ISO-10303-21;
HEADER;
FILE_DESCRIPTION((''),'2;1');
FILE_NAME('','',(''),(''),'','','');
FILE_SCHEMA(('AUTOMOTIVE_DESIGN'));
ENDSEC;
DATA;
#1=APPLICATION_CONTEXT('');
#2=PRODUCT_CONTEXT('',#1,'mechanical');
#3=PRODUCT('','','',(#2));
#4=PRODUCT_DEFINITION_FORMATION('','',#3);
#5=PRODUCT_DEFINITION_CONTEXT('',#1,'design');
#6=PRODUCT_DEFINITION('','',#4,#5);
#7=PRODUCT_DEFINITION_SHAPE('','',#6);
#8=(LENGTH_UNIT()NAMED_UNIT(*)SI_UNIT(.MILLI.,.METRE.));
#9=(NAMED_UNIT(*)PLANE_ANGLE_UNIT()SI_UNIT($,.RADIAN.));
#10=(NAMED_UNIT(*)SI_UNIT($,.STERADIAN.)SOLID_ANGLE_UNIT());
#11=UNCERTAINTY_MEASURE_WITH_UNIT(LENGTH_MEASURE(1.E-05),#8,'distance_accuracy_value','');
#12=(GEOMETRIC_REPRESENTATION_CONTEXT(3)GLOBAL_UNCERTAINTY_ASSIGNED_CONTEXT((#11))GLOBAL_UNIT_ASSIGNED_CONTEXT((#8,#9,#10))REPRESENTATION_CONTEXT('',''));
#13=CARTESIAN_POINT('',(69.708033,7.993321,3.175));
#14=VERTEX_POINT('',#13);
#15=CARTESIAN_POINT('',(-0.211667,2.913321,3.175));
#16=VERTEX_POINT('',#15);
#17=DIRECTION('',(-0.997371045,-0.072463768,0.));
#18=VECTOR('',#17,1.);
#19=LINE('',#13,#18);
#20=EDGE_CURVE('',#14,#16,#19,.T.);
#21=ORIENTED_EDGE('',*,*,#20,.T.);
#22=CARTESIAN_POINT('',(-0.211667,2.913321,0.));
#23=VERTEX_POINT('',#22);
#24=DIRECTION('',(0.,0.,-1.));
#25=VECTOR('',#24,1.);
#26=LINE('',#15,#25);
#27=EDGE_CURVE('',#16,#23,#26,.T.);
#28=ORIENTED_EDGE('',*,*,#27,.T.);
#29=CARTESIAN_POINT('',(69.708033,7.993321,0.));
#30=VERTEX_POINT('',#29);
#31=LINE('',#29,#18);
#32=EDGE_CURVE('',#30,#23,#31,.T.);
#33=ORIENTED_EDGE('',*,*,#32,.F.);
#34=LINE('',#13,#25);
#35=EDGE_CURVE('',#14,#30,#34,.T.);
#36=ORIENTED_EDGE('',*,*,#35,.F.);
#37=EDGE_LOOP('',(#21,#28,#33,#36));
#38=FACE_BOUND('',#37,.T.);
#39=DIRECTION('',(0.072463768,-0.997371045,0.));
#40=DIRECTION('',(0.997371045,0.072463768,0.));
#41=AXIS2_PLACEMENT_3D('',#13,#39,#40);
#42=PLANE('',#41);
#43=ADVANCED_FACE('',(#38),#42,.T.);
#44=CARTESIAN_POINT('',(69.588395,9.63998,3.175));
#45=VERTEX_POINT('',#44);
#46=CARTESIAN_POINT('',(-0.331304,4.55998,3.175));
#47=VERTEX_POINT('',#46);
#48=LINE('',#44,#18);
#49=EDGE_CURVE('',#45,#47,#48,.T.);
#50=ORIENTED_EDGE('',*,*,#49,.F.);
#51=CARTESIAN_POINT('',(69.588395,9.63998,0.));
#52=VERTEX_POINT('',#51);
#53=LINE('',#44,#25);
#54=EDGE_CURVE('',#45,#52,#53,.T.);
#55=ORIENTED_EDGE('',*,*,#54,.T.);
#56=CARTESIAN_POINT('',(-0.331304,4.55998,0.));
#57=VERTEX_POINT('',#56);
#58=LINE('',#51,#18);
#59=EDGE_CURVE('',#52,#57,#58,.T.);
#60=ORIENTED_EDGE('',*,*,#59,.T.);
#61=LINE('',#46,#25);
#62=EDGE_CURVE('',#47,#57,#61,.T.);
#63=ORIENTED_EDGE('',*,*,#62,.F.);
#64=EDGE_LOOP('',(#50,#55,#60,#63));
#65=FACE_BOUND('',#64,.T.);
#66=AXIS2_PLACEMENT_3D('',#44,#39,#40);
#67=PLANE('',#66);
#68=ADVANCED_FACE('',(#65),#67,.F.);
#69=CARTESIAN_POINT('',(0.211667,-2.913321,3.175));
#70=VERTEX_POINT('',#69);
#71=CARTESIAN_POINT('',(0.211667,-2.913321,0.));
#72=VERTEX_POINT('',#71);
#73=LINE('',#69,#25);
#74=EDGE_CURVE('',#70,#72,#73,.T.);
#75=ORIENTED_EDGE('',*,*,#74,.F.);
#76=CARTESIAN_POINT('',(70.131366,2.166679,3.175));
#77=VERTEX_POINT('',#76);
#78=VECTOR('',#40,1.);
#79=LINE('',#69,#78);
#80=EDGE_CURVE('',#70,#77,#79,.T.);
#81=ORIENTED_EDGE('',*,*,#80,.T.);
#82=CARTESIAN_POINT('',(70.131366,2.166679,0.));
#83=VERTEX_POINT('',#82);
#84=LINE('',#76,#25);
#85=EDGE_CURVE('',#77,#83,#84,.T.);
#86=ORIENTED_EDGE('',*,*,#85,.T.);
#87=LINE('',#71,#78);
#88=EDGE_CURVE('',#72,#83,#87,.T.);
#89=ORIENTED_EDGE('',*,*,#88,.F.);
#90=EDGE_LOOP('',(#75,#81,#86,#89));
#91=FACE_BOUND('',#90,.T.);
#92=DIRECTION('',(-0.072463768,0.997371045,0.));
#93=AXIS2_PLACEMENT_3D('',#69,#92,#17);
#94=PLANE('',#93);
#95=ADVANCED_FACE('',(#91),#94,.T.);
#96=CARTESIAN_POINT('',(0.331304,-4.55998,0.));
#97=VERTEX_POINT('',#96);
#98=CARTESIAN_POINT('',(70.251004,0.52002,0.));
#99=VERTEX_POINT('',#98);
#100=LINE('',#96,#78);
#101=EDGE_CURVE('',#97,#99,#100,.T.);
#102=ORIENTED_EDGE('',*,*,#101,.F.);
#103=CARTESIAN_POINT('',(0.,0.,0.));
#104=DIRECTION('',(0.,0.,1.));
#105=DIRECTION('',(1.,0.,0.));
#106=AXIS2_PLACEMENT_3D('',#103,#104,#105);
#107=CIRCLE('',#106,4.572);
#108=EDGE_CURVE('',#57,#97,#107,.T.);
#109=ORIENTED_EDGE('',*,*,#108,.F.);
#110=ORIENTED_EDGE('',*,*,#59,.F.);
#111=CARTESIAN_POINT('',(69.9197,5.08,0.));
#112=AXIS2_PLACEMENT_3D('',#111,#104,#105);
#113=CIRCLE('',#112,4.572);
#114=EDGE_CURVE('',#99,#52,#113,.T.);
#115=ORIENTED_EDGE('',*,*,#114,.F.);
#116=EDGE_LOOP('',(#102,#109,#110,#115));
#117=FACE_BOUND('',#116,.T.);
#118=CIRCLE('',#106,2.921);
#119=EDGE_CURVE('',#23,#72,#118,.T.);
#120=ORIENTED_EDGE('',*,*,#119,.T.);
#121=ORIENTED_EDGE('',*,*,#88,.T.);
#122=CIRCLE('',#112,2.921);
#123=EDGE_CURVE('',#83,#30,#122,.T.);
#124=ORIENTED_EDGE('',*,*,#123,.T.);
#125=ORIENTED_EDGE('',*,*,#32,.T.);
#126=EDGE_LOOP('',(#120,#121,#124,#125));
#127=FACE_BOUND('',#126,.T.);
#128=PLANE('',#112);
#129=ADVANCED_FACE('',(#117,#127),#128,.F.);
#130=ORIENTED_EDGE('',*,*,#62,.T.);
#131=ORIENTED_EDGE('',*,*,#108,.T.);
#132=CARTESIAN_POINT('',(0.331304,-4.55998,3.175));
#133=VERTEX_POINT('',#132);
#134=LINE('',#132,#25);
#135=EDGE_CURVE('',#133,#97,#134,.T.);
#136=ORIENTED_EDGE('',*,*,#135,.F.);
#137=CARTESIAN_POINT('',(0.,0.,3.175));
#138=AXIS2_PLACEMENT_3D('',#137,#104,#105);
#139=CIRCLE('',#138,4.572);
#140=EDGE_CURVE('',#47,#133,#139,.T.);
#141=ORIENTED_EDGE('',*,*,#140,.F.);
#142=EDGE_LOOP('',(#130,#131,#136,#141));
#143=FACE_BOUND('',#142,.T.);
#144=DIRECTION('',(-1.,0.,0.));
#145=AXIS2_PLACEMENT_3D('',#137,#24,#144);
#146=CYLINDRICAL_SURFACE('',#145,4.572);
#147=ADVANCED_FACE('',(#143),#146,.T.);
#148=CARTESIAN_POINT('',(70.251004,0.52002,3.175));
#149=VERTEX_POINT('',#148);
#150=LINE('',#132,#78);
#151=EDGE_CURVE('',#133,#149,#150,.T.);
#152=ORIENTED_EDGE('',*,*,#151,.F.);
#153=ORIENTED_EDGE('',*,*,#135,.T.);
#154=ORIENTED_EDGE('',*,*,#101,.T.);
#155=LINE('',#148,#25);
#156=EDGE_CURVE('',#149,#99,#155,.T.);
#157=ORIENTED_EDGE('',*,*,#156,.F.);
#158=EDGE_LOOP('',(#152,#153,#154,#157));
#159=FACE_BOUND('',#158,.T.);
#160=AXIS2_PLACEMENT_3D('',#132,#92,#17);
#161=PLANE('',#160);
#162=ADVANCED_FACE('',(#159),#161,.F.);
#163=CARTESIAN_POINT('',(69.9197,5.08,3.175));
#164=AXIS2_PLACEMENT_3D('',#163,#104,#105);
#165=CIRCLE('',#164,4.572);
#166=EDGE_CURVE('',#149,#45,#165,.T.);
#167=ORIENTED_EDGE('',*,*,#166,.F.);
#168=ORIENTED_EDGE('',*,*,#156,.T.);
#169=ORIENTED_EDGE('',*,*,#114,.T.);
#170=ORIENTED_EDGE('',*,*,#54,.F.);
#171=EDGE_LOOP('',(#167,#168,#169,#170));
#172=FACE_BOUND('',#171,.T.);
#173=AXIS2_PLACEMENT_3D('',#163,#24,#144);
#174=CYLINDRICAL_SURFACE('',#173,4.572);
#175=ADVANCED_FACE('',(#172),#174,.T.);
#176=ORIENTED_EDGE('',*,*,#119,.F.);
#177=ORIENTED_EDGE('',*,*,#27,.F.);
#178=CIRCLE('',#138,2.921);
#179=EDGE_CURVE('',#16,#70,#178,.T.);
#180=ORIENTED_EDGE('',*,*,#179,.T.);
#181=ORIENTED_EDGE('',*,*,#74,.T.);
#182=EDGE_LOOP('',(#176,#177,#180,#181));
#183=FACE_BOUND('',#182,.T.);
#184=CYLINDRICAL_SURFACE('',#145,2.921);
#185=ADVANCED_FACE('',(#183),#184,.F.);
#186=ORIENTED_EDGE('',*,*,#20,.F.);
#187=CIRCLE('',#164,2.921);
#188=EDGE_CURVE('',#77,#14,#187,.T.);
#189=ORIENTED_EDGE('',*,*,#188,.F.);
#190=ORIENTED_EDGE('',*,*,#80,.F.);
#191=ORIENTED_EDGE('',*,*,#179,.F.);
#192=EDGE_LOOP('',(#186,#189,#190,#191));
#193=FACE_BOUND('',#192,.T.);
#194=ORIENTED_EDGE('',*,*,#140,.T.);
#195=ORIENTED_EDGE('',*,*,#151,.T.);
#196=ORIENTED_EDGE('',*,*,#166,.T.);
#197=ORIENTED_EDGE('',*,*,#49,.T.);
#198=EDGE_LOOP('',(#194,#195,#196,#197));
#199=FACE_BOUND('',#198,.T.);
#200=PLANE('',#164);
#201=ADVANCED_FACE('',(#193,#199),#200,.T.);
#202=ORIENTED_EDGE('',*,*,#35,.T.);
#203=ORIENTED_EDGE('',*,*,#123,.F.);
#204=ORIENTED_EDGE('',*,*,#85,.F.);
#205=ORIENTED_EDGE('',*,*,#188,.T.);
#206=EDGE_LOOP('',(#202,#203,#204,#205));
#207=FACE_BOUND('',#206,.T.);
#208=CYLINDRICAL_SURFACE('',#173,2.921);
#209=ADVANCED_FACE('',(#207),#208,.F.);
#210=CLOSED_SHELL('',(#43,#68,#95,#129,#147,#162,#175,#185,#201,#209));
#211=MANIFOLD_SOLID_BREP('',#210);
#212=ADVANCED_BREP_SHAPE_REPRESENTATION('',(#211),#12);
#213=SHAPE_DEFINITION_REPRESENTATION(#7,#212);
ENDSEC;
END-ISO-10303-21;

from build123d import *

# Parameters (mm, degrees)
BOSS_EXTRUDE1_DEPTH = 3.175


with BuildPart() as part:
    # Sketch1 → Boss-Extrude1 (new body)
    with BuildSketch(Plane.XY):
        with BuildLine():
            Line((69.588395423, 9.63998042), (-0.331304348, 4.55998042))
            ThreePointArc((-0.331304348, 4.55998042), (-4.55998042, -0.331304348), (0.331304348, -4.55998042))
            Line((0.331304348, -4.55998042), (70.251004118, 0.52001958))
            ThreePointArc((70.251004118, 0.52001958), (74.47968019, 5.411304348), (69.588395423, 9.63998042))
        make_face()
        with BuildLine():
            Line((0.211666667, -2.913320824), (70.131366437, 2.166679176))
            ThreePointArc((70.131366437, 2.166679176), (72.833020594, 5.291666667), (69.708033104, 7.993320824))
            Line((69.708033104, 7.993320824), (-0.211666667, 2.913320824))
            ThreePointArc((-0.211666667, 2.913320824), (-2.913320824, -0.211666667), (0.211666667, -2.913320824))
        make_face(mode=Mode.SUBTRACT)
    extrude(amount=BOSS_EXTRUDE1_DEPTH)


solid = part.part
